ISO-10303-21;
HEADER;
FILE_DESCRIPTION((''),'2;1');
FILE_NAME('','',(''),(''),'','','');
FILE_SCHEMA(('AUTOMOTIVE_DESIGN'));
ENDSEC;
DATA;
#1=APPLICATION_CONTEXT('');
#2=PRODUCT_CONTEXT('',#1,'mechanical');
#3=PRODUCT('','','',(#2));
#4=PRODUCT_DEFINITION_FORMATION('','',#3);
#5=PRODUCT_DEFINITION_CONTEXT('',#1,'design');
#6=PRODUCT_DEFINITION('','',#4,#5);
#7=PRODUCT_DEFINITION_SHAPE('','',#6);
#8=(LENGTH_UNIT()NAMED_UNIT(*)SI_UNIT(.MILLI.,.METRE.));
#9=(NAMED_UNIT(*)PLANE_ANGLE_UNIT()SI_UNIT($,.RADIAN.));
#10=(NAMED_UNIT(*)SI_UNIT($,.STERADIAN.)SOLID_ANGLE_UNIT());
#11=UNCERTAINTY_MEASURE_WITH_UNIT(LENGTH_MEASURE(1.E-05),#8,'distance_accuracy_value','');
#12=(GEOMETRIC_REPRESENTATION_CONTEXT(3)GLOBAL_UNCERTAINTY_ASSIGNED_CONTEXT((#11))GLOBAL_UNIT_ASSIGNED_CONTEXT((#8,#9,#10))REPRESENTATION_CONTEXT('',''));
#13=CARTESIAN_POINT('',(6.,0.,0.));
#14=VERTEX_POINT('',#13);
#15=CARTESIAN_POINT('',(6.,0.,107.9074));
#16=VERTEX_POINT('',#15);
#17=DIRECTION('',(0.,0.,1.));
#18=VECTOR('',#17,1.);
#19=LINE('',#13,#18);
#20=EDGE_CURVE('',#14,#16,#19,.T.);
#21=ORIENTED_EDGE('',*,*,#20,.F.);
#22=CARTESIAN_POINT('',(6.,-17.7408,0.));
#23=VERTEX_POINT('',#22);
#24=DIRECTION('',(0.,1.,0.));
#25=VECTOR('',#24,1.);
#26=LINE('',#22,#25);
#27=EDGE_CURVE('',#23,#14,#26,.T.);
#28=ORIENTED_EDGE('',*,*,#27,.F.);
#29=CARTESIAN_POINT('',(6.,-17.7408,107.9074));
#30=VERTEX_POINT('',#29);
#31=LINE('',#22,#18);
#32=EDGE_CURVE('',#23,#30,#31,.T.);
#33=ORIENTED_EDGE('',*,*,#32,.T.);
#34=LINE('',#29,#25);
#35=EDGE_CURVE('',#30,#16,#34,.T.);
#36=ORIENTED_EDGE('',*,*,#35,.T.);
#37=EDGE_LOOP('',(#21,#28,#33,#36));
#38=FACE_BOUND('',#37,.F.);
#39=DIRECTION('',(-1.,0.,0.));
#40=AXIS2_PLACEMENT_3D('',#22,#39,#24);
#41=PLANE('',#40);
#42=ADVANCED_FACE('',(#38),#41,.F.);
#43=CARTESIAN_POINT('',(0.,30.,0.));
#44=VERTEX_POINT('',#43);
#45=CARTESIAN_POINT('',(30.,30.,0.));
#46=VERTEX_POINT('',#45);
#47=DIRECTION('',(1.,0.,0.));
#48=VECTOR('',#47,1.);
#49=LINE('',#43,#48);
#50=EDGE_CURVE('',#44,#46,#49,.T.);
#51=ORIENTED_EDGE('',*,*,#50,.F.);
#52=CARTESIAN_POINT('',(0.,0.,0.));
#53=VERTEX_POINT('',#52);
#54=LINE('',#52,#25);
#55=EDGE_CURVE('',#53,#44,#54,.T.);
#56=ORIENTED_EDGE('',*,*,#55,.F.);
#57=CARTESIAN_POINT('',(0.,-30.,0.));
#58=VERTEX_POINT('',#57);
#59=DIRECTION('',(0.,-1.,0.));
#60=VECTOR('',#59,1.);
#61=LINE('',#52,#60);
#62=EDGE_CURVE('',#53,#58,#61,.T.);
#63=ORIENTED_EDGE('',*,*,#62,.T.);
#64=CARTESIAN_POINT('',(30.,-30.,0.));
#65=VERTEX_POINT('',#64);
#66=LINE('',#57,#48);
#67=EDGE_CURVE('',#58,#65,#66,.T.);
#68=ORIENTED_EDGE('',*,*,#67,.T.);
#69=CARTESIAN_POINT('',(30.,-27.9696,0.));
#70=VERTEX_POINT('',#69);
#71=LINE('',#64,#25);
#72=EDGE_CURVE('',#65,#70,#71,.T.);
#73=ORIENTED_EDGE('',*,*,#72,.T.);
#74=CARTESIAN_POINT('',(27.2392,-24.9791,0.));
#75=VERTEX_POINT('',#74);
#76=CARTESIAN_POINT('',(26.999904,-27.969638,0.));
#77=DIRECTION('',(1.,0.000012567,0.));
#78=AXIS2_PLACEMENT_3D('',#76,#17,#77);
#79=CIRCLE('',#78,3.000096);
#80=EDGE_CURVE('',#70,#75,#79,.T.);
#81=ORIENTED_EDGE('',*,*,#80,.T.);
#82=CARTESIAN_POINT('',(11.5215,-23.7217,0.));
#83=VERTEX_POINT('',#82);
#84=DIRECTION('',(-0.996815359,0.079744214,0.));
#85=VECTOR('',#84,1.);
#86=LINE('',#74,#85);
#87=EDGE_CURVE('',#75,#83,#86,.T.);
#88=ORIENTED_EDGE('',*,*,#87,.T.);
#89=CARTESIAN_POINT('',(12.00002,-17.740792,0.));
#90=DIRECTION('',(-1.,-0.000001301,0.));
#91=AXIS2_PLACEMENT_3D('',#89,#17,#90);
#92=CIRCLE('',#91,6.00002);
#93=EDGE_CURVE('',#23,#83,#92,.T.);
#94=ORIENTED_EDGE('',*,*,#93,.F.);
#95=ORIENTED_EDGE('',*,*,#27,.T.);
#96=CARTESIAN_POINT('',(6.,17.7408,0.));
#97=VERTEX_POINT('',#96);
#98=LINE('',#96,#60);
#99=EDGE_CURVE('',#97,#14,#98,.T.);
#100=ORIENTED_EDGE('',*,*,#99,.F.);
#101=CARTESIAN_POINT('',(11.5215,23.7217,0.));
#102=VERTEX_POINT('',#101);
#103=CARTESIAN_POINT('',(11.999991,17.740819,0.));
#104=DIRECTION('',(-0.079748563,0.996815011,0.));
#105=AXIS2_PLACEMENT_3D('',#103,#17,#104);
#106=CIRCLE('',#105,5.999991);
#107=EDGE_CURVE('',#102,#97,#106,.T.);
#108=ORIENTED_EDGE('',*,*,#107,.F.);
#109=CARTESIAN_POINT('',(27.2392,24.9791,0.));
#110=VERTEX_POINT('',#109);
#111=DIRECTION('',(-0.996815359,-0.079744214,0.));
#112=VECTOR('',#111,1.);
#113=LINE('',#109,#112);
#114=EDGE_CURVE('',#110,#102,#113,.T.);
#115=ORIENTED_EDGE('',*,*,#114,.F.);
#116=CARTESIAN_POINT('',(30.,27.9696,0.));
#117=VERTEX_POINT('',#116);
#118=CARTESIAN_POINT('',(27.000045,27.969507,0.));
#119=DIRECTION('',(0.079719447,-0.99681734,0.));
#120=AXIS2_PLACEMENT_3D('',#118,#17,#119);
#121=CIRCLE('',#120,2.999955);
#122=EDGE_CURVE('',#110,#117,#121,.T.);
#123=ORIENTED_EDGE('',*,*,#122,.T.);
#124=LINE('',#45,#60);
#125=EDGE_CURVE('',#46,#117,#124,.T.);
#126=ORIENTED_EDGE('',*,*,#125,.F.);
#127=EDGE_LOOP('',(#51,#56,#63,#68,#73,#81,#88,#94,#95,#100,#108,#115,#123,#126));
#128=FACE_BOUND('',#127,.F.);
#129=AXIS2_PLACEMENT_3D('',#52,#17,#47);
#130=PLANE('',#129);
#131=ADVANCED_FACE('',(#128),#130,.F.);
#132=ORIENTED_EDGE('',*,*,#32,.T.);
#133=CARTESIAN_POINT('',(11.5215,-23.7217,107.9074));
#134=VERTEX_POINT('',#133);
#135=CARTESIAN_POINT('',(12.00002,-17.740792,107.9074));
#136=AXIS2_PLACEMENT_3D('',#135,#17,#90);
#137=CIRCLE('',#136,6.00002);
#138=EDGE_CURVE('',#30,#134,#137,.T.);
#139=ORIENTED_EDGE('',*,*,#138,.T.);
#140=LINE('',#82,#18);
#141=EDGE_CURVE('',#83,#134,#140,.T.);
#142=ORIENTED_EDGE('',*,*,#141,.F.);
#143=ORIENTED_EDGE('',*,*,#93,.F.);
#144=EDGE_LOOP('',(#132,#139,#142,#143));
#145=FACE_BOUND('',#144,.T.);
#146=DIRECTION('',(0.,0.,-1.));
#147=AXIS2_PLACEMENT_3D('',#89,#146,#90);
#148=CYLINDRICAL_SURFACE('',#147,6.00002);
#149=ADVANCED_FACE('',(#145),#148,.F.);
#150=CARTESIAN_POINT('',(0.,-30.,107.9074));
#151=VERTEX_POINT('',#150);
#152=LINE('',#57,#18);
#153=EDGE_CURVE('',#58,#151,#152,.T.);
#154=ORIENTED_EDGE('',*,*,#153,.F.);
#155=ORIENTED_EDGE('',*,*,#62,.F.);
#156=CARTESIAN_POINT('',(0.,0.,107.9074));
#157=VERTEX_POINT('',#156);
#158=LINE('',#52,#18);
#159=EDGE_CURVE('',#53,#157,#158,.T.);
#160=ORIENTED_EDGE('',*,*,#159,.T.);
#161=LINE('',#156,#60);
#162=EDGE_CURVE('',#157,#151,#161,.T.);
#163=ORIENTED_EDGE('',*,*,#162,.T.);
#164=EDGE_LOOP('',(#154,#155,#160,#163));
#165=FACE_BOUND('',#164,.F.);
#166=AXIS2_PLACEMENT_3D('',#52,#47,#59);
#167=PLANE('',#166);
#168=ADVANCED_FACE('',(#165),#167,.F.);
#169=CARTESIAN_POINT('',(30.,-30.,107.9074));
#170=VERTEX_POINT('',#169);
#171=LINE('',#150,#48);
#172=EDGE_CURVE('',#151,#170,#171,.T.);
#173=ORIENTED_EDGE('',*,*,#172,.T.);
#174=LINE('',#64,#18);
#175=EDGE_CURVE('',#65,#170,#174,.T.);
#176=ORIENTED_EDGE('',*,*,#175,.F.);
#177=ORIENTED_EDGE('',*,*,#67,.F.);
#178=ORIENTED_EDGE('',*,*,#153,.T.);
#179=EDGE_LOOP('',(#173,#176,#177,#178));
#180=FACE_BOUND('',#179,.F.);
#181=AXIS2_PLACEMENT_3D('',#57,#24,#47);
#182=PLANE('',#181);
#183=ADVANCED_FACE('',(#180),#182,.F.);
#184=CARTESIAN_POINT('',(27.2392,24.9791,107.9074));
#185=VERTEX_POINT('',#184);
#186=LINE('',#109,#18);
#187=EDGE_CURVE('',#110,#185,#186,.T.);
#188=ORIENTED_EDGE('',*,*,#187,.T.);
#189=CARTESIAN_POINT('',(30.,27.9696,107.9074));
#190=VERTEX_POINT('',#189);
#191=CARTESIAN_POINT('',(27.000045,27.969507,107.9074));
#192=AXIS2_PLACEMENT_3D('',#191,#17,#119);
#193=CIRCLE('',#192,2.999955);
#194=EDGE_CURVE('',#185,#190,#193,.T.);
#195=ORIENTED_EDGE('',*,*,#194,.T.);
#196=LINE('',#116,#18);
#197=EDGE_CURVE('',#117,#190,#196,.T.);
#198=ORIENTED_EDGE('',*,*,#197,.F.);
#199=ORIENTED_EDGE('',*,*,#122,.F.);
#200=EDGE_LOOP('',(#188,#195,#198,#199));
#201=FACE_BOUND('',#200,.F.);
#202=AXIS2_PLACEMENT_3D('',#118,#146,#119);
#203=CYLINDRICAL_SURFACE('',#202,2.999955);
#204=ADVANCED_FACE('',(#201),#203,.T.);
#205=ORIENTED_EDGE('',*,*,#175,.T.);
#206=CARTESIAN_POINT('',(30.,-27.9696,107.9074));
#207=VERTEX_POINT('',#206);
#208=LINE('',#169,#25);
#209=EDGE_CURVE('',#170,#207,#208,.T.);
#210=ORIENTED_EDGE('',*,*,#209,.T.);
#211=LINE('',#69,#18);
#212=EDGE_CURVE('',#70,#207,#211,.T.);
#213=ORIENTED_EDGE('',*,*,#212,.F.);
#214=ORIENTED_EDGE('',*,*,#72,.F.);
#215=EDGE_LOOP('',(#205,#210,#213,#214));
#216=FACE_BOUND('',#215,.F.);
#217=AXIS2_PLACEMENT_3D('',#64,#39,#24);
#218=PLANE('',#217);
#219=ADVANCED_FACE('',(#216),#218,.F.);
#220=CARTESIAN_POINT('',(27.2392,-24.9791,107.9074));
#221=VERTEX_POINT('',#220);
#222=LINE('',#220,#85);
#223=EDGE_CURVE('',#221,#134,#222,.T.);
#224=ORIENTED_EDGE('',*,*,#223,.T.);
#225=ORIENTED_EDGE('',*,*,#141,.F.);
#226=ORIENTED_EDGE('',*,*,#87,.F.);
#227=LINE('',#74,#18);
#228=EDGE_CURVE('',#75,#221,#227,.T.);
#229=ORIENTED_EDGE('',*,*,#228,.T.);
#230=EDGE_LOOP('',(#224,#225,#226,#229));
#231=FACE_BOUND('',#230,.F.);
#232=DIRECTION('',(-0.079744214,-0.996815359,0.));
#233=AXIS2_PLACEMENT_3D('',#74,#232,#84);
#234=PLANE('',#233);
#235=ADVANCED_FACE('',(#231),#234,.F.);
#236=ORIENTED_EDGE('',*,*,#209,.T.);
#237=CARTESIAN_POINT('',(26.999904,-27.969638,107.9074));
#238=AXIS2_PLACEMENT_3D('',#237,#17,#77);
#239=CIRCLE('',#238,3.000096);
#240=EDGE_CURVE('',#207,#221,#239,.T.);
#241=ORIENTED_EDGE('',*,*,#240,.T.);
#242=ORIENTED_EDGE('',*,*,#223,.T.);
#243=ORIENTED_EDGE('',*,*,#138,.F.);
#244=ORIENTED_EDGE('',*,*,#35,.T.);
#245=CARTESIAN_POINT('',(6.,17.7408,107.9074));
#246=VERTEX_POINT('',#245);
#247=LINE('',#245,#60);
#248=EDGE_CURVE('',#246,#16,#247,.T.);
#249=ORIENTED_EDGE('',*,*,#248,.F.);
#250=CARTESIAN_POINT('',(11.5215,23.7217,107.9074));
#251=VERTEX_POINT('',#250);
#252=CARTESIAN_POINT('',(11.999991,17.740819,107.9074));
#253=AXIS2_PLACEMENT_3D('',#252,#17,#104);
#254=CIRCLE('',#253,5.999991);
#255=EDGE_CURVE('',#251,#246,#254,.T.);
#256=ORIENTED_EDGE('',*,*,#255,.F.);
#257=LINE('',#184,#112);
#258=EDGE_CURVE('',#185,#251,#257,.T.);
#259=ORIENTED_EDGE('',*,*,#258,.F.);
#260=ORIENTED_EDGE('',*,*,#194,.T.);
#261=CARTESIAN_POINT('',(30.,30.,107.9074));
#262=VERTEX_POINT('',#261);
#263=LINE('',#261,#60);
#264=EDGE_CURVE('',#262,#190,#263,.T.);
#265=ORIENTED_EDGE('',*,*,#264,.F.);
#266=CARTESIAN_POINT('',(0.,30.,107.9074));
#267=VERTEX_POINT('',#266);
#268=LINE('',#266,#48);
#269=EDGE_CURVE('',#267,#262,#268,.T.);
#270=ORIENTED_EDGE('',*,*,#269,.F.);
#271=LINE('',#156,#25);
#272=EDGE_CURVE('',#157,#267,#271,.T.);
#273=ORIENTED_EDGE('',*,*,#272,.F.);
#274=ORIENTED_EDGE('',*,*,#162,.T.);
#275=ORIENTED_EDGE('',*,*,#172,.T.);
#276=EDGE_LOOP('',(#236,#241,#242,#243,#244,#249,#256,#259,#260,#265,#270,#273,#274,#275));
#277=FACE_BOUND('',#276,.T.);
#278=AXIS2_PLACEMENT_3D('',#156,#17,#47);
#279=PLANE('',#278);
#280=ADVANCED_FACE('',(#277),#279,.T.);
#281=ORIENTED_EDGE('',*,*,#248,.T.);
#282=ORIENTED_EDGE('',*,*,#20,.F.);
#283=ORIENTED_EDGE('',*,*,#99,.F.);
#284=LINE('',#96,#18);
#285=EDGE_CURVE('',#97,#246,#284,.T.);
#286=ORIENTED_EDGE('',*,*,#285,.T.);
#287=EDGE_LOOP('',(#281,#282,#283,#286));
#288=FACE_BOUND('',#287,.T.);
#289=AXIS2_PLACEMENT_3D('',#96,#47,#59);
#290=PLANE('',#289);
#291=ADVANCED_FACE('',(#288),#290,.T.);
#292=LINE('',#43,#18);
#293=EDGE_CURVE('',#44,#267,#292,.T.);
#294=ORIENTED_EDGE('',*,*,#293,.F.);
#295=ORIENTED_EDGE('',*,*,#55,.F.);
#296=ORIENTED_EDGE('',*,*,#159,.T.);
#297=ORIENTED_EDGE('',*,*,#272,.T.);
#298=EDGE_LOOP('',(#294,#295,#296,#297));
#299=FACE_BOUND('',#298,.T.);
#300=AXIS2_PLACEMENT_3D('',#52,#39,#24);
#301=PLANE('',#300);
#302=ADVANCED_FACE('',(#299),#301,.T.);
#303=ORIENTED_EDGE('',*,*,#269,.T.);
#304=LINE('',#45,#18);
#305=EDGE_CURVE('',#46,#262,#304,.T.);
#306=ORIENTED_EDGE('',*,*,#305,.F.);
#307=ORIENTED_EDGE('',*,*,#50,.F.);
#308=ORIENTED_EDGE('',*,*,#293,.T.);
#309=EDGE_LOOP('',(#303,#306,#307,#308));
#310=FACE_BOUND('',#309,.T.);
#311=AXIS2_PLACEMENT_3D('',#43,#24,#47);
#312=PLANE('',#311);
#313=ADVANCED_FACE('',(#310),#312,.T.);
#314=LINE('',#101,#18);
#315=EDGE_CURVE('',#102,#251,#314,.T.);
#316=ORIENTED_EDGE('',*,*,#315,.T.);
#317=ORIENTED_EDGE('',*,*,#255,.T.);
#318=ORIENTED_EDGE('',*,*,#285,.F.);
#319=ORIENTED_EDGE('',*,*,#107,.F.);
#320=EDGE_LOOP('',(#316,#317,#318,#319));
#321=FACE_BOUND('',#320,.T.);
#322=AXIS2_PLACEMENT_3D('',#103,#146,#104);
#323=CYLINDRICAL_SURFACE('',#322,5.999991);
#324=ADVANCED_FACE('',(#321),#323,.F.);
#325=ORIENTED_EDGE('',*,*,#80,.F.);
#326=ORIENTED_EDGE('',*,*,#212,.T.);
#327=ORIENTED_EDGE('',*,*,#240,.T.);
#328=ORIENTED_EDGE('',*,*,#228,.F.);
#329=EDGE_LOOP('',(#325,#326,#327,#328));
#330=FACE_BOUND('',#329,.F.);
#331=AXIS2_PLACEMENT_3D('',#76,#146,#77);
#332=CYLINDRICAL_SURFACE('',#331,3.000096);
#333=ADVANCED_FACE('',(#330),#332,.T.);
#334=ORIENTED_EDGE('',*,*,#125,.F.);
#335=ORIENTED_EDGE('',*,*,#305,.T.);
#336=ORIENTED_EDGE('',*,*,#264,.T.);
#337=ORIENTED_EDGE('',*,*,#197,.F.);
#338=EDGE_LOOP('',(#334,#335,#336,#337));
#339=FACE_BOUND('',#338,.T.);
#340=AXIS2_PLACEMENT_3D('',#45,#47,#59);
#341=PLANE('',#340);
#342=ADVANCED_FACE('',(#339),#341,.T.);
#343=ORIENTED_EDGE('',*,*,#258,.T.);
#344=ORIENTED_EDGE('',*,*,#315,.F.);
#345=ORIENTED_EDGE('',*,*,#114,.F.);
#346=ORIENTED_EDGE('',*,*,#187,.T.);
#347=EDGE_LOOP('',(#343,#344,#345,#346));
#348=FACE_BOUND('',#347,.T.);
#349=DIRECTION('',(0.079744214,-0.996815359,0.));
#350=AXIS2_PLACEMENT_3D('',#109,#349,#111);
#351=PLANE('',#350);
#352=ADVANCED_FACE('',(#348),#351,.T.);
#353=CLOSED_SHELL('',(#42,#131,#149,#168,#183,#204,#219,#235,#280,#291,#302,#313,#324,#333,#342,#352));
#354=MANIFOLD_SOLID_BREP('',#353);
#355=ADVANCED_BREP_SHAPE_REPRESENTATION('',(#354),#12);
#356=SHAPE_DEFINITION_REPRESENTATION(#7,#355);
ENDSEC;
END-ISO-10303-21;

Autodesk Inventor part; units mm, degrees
ref_plane "YZ Plane" through (0, 0, 0) normal (1, 0, 0) x (0, 1, 0)
ref_plane "Start plane" through (0, 0, 0) normal (0, 0, 1) x (1, 0, 0)
ref_plane "End plane" through (0, 0, 107.9074) normal (0, 0, 1) x (1, 0, 0)
sketch "Sketch" plane through (0, 0, 0) normal (0, 0, 1) x (1, 0, 0)
  line L0 (0, 0) -> (0, 30)
  line L1 (0, 30) -> (30, 30)
  line L2 (30, 30) -> (30, 27.9696)
  line L3 (27.2392, 24.9791) -> (11.5215, 23.7217)
  line L4 (6, 17.7408) -> (6, 0)
  line L5 (6, 0) -> (0, 0) construction
  line L6 (15, 30) -> (15, 24) construction
  line L7 (30, 25.2) -> (30, 24) construction
  line L8 (30, 24) -> (15, 24) construction
  line L9 (0, 15) -> (0, -27) construction
  line L10 (-5.539, 0) -> (16.0067, 0) construction
  line L11 (0, 0) -> (0, -30)
  line L12 (0, -30) -> (30, -30)
  line L13 (30, -30) -> (30, -27.9696)
  line L14 (27.2392, -24.9791) -> (11.5215, -23.7217)
  line L15 (6, -17.7408) -> (6, 0)
  arc A0 (11.5215, 23.7217) -> (6, 17.7408) centre (12, 17.7408) ccw
  arc A1 (6, -17.7408) -> (11.5215, -23.7217) centre (12, -17.7408) ccw
  arc A2 (27.2392, 24.9791) -> (30, 27.9696) centre (27, 27.9696) ccw
  arc A3 (30, -27.9696) -> (27.2392, -24.9791) centre (27, -27.9696) ccw
  line L16 (0, 42) -> (0, -42) construction
  line L17 (-12.7637, 0) -> (37.8094, 0) construction
  point P0 (6, 23.28)
  point P1 (30, -25.2)
  point P2 (6, -23.28)
  point P3 (15, -30)
  point P4 (15, -24)
  dimension "d0" = 6
  dimension "d1" = 30
  dimension "d2" = 30
  dimension "d3" = 6
  dimension "d4" = 15
  dimension "d5" = 1.2
  dimension "d23" = 6
  dimension "d24" = 3
  dimension "d25" = 0
extrude "Body" add sketch "Sketch" along normal up to surface (107.9074 mm away) from surface at 0
sketch "Sketch3" plane through (0, 0, 0) normal (0, 0, 1) x (1, 0, 0)
  line L0 (0, 0) -> (10, 0)
ref_plane "Work Plane3" through (0, 0, 0) normal (0, -1, 0) x (1, 0, 0)
sketch "Sketch4" plane through (0, 0, 0) normal (0, -1, 0) x (1, 0, 0)
  line L0 (-2, 0) -> (12, 0)
  line L1 (-2, 107.9074) -> (12, 107.9074)
  dimension "d29" = 107.9074
sketch "Sketch5" plane through (0, 30, 107.9074) normal (0, 0, 1) x (1, 0, 0)
  line L0 (0, -30) -> (68.087, -30)
  circle A0 centre (31, -30) radius 25
  line L1 (31, -30) -> (31, 0.1301)
  line L2 (0, -60) -> (0, 0) projected
  line L3 (6, -12.2592) -> (6, -47.7408) projected
  arc A1 (27.2392, -5.0209) -> (30, -2.0304) centre (27, -2.0304) ccw projected
  line L4 (-62.4974, -26.9061) -> (-61.0279, -26.9061)
  line L5 (27.2392, -5.0209) -> (27.2392, 0)
  line L6 (0, 0) -> (30, 0) projected
  line L7 (27.2392, -5.0209) -> (11.5215, -6.2783) projected
  point P0 (-64.1158, -8.8185)
  point P1 (-63.0266, -8.8185)
  dimension "d30" = 50
  dimension "d32" = 6
  dimension "d33" = 27.9696
  dimension "d34" = 3
  dimension "d35" = 1.4696
  dimension "d36" = 3.7608
  dimension "d37" = 1.0892
  dimension "d38" = 30
  dimension "d39" = 31
  dimension "d41" = 5.0209
equation "\"d0\" = G_T"
equation "\"d1\" = 0.5 * G_H"
equation "\"d2\" = G_W"
equation "\"d3\" = G_T1"
equation "\"d4\" = G_C"
equation "\"d23\" = G_IR"
equation "\"d24\" = G_ER"
equation "\"d6\" = G_L"
equation "\"G_W\" = 30"
equation "\"G_H\" = 60"
equation "\"G_T\" = 6"
equation "\"G_T1\" = 6"
equation "\"G_NG\" = 0.08"
equation "\"G_ER\" = 3"
equation "\"G_IR\" = 6"
equation "\"G_C\" = 15"
equation "\"G_L\" = d29"
equation "\"ex\" = 0"
equation "\"G_OFFSET_START\" = 0"
equation "\"G_OFFSET_END\" = 0"
equation "\"d27\" = G_OFFSET_END + B_L"
equation "\"B_L\" = 107.90737"
properties part number "DIN1026-1 - U 60 - 107.907" material "Steel, Mild"
